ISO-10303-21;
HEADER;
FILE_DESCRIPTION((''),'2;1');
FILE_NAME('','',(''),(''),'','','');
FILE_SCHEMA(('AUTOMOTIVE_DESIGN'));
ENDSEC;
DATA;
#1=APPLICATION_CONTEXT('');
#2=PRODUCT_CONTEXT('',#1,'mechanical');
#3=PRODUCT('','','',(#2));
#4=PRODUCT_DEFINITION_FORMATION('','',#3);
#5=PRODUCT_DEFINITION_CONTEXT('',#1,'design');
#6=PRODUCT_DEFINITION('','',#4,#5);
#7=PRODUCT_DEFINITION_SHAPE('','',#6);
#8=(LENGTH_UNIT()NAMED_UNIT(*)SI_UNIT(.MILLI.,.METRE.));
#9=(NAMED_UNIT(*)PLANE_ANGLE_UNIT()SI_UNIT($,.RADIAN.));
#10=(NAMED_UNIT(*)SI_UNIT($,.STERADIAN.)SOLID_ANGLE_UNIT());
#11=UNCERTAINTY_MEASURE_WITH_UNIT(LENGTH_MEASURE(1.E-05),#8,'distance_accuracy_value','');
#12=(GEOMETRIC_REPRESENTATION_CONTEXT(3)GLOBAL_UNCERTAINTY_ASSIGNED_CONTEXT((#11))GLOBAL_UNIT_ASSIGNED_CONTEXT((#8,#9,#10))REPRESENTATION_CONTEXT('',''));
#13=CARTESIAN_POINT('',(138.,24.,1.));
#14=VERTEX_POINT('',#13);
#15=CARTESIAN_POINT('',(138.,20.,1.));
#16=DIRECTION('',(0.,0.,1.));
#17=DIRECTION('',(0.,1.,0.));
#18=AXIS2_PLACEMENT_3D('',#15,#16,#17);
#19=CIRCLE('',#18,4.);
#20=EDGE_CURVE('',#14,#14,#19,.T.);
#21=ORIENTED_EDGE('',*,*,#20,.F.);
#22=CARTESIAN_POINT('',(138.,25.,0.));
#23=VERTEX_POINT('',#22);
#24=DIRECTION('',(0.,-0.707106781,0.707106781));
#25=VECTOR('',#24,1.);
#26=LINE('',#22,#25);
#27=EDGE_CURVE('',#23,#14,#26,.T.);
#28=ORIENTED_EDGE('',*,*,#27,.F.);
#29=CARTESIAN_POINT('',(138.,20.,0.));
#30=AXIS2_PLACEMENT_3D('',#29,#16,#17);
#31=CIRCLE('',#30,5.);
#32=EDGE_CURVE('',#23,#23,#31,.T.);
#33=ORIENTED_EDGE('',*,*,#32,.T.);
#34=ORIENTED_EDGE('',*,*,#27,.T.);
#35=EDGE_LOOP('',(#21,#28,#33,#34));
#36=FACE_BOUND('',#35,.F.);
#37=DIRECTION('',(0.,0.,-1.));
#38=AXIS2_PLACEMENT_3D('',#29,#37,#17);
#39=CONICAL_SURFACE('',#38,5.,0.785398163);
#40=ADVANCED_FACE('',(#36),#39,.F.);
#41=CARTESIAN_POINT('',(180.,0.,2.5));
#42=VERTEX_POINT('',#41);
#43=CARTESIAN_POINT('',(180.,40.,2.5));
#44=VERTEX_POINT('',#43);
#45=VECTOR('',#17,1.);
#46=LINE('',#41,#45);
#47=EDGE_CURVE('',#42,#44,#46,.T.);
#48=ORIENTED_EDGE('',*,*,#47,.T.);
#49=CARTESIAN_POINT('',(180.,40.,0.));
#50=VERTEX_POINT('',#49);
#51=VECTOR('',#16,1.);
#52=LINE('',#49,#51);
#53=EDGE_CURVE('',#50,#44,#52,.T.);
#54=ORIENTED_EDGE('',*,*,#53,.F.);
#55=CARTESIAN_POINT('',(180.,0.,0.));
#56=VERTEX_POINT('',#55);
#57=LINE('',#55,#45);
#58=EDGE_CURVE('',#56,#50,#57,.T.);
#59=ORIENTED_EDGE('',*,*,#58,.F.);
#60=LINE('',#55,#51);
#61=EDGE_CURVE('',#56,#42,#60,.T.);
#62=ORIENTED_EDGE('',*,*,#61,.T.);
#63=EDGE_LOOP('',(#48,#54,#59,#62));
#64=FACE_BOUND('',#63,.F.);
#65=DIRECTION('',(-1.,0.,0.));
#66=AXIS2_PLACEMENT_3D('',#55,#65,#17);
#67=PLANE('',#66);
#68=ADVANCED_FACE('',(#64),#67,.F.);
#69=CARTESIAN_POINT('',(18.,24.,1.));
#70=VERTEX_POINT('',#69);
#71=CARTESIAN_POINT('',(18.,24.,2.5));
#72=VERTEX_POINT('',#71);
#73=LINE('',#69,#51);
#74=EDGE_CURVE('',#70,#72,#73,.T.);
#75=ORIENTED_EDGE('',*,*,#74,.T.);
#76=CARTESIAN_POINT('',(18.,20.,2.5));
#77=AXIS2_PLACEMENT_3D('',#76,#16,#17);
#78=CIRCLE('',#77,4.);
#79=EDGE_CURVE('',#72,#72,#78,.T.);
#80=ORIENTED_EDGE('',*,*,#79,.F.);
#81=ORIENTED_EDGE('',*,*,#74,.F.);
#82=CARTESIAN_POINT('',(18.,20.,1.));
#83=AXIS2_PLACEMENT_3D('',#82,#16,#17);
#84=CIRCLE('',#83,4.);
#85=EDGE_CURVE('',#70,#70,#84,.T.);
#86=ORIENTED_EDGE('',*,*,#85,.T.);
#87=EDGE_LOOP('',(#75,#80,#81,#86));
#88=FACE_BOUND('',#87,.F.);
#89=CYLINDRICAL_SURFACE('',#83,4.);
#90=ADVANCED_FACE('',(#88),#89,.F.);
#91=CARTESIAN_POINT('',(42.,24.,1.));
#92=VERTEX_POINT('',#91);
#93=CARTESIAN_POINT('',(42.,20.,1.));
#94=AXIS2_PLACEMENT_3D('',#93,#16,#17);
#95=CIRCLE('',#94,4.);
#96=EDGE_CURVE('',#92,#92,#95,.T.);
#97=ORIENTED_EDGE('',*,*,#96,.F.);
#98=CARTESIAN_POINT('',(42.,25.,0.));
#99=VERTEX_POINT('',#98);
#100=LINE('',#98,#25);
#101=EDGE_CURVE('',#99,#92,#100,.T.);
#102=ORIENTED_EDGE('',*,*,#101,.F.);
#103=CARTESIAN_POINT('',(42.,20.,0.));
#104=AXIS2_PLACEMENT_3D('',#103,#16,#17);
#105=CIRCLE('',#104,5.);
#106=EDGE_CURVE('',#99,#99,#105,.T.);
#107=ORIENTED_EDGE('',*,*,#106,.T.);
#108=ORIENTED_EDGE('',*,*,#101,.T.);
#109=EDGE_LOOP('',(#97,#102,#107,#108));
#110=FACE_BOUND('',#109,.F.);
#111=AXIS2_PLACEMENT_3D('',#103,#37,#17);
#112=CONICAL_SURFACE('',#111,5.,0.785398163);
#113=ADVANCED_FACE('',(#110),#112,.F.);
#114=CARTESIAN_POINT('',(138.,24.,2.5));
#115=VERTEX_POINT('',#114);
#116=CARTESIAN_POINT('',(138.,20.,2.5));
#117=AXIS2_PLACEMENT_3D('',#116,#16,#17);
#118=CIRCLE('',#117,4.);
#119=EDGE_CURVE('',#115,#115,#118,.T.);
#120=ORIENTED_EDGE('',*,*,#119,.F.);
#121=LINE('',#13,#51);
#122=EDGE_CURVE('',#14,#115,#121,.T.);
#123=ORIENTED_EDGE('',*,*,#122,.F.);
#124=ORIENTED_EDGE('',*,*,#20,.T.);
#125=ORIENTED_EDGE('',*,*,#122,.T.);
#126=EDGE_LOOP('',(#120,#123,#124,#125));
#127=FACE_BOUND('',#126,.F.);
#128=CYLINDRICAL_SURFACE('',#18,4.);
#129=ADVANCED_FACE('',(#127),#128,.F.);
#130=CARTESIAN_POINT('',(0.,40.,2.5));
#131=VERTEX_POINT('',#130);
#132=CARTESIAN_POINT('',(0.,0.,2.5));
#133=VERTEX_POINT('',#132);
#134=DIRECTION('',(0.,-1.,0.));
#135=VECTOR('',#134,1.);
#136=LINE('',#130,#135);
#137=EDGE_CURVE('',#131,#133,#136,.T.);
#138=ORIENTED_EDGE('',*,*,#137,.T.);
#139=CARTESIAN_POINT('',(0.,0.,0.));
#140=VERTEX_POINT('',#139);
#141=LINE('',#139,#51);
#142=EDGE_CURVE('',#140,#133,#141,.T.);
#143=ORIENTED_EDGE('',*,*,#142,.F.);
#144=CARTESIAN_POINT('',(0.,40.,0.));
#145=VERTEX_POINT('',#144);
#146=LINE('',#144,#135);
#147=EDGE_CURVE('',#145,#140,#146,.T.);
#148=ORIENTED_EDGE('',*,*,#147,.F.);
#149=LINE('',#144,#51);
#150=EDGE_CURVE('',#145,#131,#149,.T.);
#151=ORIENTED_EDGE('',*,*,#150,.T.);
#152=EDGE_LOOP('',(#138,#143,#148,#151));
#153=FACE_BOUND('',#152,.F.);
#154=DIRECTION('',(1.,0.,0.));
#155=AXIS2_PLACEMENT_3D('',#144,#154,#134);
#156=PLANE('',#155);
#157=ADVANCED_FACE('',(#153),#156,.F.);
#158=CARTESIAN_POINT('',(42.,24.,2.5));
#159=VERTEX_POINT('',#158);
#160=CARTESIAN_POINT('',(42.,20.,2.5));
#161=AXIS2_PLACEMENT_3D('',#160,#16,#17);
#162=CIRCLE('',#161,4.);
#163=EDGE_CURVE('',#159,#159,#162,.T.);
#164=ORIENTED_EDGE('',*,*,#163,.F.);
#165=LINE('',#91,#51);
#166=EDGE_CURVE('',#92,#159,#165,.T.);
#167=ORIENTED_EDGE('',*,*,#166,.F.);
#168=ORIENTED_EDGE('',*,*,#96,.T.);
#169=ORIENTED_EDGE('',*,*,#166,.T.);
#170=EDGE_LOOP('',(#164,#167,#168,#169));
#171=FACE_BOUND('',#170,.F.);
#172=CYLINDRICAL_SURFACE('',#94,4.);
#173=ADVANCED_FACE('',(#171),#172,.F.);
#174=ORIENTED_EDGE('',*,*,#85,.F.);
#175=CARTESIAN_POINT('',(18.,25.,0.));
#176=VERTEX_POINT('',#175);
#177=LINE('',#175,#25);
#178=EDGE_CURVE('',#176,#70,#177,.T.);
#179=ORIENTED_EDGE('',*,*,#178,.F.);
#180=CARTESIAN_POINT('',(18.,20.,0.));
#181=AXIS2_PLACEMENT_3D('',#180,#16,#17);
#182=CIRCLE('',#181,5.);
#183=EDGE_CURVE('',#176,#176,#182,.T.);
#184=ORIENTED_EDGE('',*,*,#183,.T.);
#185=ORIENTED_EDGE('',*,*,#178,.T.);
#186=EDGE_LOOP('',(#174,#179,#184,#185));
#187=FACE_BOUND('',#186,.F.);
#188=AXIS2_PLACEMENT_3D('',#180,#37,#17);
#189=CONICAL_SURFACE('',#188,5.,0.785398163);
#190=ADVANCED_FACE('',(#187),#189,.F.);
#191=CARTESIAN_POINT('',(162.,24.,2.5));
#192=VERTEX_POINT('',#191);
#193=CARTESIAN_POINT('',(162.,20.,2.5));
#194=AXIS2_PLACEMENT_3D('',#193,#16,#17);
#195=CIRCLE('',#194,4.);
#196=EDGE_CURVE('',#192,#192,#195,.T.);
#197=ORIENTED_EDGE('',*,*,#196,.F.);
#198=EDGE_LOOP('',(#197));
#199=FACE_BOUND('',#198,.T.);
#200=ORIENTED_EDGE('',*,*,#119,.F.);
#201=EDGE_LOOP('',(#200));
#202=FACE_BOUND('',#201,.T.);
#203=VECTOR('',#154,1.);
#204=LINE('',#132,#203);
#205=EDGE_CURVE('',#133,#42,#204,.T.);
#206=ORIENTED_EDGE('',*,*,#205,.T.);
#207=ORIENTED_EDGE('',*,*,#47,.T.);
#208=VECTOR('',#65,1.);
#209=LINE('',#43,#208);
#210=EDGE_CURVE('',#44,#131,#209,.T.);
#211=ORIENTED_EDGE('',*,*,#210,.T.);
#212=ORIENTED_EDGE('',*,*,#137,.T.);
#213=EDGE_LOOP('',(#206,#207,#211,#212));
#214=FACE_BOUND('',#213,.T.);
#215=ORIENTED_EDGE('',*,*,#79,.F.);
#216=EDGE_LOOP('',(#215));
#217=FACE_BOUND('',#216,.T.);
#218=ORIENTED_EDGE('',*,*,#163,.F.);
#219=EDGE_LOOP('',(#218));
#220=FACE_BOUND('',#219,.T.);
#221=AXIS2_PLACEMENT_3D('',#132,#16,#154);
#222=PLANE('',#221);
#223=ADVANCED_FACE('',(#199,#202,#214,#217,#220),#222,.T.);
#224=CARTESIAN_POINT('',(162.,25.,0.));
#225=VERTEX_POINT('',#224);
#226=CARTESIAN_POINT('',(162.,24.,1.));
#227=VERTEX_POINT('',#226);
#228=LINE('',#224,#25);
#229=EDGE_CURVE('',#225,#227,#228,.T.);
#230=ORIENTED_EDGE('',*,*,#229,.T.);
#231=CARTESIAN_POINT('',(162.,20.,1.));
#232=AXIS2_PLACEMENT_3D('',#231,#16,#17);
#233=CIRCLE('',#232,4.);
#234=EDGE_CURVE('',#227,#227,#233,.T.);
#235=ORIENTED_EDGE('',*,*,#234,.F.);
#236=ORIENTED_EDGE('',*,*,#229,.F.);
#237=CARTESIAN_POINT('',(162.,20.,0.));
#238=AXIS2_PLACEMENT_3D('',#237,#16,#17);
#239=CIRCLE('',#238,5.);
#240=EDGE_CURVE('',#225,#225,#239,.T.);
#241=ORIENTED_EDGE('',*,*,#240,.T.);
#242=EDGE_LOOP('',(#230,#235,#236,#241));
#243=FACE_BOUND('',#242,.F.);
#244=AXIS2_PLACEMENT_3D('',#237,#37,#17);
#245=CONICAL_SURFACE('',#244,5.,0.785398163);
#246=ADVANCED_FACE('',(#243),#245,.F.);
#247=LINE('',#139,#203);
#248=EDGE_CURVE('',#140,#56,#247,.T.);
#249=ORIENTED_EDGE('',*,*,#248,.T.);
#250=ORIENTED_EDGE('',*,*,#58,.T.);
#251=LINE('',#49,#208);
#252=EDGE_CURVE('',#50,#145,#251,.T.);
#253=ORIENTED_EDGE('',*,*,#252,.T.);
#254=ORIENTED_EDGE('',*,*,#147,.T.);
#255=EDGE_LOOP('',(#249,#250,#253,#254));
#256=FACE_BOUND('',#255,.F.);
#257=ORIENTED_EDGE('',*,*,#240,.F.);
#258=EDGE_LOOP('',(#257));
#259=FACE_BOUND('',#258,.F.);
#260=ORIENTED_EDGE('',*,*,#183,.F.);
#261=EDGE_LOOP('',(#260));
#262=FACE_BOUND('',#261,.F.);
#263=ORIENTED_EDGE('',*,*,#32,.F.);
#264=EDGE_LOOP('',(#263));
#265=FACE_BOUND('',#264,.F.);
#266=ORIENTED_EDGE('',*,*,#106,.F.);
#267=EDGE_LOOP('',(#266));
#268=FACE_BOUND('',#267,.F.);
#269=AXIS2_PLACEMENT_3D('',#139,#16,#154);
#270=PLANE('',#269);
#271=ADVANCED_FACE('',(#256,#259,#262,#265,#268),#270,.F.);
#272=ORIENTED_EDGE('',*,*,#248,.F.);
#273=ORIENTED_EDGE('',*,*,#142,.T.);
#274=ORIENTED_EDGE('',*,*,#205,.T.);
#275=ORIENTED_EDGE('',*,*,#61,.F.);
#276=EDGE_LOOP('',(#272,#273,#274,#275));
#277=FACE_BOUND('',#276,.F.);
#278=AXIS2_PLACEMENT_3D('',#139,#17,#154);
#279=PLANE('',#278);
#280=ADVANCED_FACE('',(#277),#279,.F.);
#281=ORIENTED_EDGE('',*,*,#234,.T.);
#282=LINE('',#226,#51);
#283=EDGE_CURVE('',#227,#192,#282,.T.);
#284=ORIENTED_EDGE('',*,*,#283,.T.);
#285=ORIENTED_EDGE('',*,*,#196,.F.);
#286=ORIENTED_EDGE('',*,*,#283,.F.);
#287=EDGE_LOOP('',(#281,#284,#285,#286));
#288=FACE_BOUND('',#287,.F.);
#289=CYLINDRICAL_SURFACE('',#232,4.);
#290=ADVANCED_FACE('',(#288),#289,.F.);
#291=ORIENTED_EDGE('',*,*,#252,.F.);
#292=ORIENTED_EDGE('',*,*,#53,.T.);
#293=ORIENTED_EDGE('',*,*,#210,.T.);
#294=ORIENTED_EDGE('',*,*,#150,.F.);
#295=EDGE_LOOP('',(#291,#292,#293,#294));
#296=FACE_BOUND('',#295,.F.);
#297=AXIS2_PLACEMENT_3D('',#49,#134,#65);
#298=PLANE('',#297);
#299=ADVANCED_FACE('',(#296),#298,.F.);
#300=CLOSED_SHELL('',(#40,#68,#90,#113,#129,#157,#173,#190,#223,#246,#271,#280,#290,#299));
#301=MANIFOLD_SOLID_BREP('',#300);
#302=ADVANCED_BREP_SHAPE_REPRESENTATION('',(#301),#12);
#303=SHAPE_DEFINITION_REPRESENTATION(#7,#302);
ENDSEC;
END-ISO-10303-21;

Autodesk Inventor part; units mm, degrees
ref_plane "YZ Plane" through (0, 0, 0) normal (1, 0, 0) x (0, 1, 0)
ref_plane "XZ Plane" through (0, 0, 0) normal (0, 1, 0) x (-1, 0, 0)
ref_plane "XY Plane" through (0, 0, 0) normal (0, 0, 1) x (1, 0, 0)
sketch "Szkic1" plane through (0, 0, 0) normal (0, 0, 1) x (1, 0, 0)
  line L0 (0, 0) -> (180, 0)
  line L1 (180, 0) -> (180, 40)
  line L2 (180, 40) -> (0, 40)
  line L3 (0, 40) -> (0, 0)
  line L4 (0, 20) -> (180, 20) construction
  line L5 (90, 0) -> (90, 40) construction
  line L6 (45, 0) -> (45, 40) construction
  line L7 (18, 40) -> (18, 0) construction
  circle A0 centre (18, 20) radius 4
  line L8 (30, 40) -> (30, 0) construction
  circle A1 centre (42, 20) radius 4
  circle A2 centre (162, 20) radius 4
  circle A3 centre (138, 20) radius 4
  dimension "d0" = 180
  dimension "d1" = 40
  dimension "d2" = 45
  dimension "d3" = 18
  dimension "d5" = 8
  dimension "d6" = 30
extrude "Wyciągnięcie proste1" add sketch "Szkic1" along normal blind 2.5 contours L3 L2 L1 L0 | A0 | A1 | A2 | A3
hole "Otwór2" at (18, 20, 0) at (42, 20, 0) at (138, 20, 0) at (162, 20, 0) direction (0, 0, 1) diameter 8 end through all countersink diameter 10 countersink angle 90
properties part number "lacznik_plaski_180_40_2p5"
